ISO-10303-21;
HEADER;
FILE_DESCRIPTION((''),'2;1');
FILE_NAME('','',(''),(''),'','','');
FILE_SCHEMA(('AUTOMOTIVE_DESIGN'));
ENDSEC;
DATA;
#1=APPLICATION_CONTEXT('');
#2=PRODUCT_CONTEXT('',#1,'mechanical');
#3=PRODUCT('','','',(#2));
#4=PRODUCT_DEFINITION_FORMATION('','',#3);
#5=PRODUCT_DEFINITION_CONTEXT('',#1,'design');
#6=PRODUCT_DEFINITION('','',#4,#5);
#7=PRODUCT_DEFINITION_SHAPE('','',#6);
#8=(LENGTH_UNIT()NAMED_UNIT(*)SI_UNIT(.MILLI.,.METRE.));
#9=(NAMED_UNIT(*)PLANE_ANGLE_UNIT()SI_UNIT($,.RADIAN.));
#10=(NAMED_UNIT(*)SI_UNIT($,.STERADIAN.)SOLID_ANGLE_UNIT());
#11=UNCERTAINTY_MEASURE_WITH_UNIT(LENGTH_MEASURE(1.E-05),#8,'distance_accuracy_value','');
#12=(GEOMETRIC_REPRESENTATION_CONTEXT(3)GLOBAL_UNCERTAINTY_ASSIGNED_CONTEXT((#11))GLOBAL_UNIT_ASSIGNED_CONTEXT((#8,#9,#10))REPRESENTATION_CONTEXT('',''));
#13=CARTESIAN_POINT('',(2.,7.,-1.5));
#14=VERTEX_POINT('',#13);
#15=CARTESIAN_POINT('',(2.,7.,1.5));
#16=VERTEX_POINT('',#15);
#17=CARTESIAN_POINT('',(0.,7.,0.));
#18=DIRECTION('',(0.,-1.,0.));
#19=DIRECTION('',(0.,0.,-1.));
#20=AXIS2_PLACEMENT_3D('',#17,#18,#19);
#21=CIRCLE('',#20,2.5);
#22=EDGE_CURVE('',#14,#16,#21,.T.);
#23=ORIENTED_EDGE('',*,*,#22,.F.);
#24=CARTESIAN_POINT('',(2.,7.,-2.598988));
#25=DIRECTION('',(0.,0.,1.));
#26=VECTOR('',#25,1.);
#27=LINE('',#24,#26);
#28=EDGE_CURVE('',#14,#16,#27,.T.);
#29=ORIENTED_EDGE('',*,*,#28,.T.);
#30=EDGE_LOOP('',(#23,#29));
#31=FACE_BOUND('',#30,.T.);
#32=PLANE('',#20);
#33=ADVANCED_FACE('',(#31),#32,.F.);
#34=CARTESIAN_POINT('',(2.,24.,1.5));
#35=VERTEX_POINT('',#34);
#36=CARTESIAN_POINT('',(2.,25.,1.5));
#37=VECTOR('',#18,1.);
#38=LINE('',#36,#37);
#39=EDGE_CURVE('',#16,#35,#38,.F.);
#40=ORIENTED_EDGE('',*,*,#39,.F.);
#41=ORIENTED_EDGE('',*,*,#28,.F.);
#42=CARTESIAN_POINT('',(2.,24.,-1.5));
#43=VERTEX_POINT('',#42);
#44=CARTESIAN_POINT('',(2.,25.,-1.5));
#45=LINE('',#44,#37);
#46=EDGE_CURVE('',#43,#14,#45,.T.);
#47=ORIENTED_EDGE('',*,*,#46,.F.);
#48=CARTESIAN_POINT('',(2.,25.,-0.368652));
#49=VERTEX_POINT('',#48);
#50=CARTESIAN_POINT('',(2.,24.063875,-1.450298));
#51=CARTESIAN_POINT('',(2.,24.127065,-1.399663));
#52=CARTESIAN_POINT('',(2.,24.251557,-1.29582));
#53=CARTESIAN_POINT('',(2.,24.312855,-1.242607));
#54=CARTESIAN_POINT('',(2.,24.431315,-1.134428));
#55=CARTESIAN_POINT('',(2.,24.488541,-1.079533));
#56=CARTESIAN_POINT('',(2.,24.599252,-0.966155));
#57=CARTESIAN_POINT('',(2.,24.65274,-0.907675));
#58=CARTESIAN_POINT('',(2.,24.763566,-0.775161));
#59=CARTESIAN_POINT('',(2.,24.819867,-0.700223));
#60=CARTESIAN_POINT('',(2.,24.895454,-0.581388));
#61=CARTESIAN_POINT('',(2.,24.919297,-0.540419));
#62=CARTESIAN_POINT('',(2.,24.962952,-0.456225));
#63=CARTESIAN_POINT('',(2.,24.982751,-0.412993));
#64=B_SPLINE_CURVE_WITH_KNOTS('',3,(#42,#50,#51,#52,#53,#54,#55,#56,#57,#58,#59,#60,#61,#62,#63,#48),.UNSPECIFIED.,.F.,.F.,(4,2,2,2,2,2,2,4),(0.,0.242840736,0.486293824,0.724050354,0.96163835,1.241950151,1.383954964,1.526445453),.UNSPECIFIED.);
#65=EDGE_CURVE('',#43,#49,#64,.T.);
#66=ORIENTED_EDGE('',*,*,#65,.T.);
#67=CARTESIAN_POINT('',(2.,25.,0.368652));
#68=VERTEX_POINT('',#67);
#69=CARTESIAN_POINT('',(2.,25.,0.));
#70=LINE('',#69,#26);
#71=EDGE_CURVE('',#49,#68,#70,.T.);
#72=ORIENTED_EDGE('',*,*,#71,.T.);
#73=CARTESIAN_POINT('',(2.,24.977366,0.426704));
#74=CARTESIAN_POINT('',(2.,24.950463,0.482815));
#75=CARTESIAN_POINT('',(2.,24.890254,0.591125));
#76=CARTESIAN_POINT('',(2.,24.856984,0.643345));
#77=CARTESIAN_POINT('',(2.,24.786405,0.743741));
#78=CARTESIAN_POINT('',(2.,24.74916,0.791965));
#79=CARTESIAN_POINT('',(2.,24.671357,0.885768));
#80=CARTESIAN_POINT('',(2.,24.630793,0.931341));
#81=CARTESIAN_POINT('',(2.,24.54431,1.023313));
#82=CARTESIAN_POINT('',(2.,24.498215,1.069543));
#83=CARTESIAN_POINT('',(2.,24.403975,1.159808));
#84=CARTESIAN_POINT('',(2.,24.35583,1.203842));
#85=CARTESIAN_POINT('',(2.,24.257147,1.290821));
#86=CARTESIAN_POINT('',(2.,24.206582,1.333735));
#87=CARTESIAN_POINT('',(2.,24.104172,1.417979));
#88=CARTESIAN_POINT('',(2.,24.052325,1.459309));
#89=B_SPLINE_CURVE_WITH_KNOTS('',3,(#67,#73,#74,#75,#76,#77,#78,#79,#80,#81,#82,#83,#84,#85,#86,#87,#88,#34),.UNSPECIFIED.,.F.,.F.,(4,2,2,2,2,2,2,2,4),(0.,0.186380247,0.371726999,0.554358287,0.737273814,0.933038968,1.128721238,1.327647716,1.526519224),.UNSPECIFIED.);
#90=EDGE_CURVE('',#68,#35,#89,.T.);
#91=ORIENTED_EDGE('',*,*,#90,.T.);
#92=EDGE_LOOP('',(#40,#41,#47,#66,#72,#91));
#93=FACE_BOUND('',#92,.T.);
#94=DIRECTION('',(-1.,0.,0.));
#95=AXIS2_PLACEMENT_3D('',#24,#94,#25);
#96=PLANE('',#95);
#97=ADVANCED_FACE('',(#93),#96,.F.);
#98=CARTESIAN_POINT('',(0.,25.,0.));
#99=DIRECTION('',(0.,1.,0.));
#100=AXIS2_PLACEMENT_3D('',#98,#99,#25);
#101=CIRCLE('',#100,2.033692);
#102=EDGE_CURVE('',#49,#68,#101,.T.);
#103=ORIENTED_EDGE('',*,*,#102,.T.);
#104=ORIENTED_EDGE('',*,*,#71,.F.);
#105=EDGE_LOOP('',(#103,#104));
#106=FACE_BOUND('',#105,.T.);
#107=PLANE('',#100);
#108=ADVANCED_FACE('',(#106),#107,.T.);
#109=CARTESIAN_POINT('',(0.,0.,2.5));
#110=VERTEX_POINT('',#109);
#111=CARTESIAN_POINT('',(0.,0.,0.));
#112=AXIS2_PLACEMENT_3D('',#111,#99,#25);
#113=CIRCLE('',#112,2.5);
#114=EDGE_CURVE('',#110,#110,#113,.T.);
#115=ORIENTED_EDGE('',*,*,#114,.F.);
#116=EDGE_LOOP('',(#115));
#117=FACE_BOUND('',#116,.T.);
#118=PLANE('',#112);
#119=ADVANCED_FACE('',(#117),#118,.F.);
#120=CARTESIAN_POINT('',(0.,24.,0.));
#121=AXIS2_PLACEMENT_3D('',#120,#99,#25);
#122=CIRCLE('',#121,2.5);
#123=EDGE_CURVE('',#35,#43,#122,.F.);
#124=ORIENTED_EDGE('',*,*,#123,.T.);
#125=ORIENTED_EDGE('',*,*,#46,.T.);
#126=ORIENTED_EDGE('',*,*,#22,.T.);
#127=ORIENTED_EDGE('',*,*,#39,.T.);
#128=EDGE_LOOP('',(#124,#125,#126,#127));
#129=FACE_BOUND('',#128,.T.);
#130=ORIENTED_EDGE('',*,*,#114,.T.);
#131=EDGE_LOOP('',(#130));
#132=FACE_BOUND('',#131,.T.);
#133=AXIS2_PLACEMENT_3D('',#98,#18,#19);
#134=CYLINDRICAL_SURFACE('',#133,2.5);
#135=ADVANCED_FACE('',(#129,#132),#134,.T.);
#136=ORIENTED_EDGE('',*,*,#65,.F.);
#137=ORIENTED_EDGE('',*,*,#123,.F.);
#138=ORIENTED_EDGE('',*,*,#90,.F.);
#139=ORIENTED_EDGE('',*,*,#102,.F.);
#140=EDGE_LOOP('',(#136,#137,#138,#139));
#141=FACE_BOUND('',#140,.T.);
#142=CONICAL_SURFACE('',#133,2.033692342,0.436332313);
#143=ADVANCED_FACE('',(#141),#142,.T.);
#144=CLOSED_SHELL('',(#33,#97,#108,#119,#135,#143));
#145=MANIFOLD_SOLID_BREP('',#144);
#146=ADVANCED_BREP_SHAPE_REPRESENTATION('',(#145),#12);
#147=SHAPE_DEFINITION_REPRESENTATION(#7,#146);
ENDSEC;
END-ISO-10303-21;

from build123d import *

# Parameters (mm, degrees)
SKETCH_1_R          = 2.5
EXTRUDE_1_DEPTH     = 25
CUT_EXTRUDE_1_DEPTH = 18
CHAMFER_1_SIZE      = 1
CHAMFER_1_SIZE2     = 0.466307658


with BuildPart() as part:
    # 草图1 → 凸台-拉伸1 (new body)
    with BuildSketch(Plane(origin=(0, 0, 0), x_dir=(1, 0, 0), z_dir=(0, 1, 0))):
        Circle(SKETCH_1_R)
    extrude(amount=EXTRUDE_1_DEPTH)

    # 草图2 → 切除-拉伸1 (cut)
    with BuildSketch(Plane(origin=(0, 25, 0), x_dir=(1, 0, 0), z_dir=(0, 1, 0))):
        Polygon((2, 2.598987806), (2, -2.361624848), (2.93708026, -2.012796341), (3.777563327, -1.758131015), (3.87416052, -0.748251275), align=None)
    extrude(amount=-CUT_EXTRUDE_1_DEPTH, mode=Mode.SUBTRACT)

    # 倒角1
    chamfer_1_edges = [part.edges().sort_by_distance(p)[0] for p in [
        (-2.5, 25, 0),
    ]]
    chamfer_1_side = [part.faces().sort_by_distance(p)[0] for p in [
        (-2.5, 12.5, 0),
    ]]
    chamfer(chamfer_1_edges, length=CHAMFER_1_SIZE, length2=CHAMFER_1_SIZE2, reference=chamfer_1_side[0])


solid = part.part
